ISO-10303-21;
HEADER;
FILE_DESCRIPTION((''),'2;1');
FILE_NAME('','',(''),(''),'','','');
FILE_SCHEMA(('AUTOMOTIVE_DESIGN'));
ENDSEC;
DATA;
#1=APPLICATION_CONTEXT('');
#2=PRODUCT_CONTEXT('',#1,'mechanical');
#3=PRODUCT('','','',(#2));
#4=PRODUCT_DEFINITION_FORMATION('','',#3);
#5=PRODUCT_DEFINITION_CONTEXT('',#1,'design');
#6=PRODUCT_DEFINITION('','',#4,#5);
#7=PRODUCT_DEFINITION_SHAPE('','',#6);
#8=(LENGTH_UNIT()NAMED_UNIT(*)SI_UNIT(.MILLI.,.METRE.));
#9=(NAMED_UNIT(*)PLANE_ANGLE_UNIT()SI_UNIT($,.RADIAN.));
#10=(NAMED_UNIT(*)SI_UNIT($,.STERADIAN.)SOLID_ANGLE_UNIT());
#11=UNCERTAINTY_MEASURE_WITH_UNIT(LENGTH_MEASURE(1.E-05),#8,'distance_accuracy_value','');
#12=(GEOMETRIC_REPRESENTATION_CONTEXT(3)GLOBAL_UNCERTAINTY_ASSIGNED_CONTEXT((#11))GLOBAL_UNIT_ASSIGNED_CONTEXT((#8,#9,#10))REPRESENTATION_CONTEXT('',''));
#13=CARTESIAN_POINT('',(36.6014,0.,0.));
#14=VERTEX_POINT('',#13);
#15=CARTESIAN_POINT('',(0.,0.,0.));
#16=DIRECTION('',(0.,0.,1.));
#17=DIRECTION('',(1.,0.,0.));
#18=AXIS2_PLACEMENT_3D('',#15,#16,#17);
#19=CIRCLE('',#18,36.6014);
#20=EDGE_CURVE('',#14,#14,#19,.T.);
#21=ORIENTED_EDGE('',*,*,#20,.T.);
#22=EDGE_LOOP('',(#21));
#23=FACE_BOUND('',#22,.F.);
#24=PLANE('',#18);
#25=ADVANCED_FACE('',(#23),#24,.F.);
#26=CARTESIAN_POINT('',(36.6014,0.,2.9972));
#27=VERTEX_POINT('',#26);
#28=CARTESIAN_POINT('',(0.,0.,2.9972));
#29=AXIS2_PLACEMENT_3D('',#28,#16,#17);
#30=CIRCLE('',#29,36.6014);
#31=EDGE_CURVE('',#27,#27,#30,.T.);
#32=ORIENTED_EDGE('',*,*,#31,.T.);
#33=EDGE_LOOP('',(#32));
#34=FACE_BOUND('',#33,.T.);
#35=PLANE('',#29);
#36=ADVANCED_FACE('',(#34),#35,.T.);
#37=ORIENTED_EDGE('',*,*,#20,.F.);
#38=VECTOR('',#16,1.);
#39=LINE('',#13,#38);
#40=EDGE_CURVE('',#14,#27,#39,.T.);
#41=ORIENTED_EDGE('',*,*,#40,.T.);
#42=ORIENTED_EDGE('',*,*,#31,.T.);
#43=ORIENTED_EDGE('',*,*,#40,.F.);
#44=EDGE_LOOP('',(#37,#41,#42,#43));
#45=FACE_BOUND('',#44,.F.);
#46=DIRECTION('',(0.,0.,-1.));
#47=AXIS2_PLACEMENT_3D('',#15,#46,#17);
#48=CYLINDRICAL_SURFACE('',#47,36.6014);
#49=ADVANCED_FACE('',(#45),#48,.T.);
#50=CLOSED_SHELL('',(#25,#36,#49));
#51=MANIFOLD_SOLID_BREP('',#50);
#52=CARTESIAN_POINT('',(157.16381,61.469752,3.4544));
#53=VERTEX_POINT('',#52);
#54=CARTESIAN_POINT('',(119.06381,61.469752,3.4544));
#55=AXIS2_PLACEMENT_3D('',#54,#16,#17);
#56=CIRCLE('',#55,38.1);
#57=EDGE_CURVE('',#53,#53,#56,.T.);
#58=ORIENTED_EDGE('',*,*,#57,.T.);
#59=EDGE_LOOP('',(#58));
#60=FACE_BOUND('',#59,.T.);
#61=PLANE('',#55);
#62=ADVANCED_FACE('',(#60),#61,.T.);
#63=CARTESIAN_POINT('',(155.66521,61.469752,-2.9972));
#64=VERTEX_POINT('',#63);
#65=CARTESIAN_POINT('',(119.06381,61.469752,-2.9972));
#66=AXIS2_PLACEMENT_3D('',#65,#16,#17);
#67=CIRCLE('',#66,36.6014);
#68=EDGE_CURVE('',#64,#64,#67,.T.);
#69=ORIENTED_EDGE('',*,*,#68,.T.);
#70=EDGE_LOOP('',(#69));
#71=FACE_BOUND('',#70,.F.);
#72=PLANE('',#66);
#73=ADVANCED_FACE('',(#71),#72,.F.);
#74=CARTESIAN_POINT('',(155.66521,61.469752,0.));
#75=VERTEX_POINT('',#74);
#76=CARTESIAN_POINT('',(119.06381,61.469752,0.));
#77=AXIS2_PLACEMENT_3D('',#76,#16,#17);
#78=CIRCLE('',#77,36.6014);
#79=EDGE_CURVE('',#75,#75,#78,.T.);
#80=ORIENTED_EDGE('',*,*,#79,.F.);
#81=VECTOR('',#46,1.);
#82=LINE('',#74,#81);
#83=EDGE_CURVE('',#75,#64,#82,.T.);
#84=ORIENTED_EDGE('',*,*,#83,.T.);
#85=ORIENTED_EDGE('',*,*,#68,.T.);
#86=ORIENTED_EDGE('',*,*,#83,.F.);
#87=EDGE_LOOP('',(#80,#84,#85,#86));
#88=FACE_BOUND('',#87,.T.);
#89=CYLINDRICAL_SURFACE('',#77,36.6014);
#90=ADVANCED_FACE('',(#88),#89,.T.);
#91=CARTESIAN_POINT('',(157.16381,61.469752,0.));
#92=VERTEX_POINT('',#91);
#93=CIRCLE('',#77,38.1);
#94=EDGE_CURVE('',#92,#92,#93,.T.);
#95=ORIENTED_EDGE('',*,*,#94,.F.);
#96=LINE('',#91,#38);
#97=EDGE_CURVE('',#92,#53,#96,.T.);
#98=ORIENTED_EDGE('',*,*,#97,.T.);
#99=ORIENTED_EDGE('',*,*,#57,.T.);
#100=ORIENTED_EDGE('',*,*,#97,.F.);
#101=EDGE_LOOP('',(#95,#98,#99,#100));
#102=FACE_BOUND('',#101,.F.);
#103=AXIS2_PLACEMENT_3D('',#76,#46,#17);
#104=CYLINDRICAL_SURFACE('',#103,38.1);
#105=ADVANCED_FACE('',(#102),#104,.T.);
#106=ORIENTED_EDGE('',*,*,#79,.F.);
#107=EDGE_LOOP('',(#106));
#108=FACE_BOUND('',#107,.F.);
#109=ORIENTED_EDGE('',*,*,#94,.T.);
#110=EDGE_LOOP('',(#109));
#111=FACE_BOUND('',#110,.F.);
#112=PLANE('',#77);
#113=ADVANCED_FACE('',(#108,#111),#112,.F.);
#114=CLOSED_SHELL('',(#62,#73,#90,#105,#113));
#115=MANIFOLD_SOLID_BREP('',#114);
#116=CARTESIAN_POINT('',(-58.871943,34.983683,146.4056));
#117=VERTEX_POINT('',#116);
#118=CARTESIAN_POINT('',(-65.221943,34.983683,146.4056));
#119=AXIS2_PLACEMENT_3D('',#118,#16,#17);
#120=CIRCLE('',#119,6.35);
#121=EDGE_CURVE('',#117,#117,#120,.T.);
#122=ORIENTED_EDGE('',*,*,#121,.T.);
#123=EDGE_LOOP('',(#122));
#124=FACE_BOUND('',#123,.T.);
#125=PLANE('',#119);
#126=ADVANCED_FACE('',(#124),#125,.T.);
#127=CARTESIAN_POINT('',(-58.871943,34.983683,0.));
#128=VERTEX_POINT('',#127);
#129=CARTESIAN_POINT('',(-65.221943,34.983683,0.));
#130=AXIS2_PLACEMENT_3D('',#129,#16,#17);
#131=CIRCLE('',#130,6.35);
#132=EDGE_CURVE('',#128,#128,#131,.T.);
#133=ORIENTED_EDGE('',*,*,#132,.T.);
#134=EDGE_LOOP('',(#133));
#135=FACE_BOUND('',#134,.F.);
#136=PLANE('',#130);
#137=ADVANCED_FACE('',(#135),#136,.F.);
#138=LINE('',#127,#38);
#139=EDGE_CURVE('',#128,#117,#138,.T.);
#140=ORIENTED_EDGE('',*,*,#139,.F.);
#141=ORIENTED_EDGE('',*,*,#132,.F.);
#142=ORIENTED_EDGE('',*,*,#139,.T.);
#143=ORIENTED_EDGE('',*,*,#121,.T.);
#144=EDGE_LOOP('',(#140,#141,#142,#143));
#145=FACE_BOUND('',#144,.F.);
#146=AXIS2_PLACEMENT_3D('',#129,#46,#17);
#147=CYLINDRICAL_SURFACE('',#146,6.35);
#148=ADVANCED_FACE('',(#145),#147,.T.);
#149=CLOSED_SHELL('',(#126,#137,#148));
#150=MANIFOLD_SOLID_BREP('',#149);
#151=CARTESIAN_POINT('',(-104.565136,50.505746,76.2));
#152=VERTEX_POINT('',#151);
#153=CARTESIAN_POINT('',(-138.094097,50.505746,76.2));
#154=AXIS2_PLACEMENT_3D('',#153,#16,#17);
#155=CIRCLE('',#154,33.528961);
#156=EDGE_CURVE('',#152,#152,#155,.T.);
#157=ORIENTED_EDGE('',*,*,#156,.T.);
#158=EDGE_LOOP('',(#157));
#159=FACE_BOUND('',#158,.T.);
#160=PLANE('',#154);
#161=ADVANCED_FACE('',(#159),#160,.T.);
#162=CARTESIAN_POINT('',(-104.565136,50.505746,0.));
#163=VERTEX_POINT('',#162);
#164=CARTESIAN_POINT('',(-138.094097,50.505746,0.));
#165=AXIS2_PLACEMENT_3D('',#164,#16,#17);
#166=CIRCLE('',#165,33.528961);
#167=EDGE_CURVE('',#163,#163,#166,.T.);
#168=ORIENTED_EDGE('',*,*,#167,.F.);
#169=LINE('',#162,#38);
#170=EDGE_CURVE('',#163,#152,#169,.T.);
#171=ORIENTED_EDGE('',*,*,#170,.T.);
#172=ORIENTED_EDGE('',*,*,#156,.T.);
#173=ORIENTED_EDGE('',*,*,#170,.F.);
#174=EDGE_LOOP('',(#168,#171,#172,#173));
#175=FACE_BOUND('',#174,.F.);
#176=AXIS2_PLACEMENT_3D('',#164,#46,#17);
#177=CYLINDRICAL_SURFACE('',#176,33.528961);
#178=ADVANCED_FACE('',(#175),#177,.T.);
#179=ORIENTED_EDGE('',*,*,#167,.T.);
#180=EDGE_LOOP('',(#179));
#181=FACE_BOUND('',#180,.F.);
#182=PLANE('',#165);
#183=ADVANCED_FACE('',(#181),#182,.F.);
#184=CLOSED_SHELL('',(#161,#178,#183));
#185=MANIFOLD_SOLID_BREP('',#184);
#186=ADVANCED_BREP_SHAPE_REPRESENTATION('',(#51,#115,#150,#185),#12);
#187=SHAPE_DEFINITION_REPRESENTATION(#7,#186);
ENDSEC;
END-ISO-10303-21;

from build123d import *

# Parameters (mm, degrees)
F0_R      = 36.6014
F1_DEPTH  = 2.9972
F2_R      = 6.35
F3_DEPTH  = 146.4056
F4_R      = 36.6014
F5_DEPTH  = 2.9972
F4_R_2    = 38.1
F5_FACE_R = 36.6014
F6_DEPTH  = 3.4544
F7_R      = 33.528961
F8_DEPTH  = 76.2


with BuildPart() as f1:
    # F0 (on Top) → F1 (new body)
    with BuildSketch(Plane.XY):
        Circle(F0_R)
    extrude(amount=F1_DEPTH)


with BuildPart() as f3:
    # F2 (on Top) → F3 (new body)
    with BuildSketch(Plane.XY):
        with Locations((-65.221943, 34.983683)):
            Circle(F2_R)
    extrude(amount=F3_DEPTH)


with BuildPart() as f5:
    # F4 (on Top) → F5 (new body)
    with BuildSketch(Plane.XY):
        with Locations((119.06381, 61.469752)):
            Circle(F4_R)
    extrude(amount=-F5_DEPTH)

    # F4 (on Top) + F5_face (on face) → F6 (join)
    with BuildSketch(Plane.XY):
        with Locations((119.06381, 61.469752)):
            Circle(F4_R_2)
        with Locations((119.06381, 61.469752)):
            Circle(F4_R, mode=Mode.SUBTRACT)
    with BuildSketch(Plane(origin=(119.06381, 61.469752, 0), x_dir=(1, 0, 0), z_dir=(0, 0, 1))):
        Circle(F5_FACE_R)
    extrude(amount=F6_DEPTH)


with BuildPart() as f8:
    # F7 (on Top) → F8 (new body)
    with BuildSketch(Plane.XY):
        with Locations((-138.094097, 50.505746)):
            Circle(F7_R)
    extrude(amount=F8_DEPTH)


solid = Compound([f1.part, f3.part, f5.part, f8.part])
